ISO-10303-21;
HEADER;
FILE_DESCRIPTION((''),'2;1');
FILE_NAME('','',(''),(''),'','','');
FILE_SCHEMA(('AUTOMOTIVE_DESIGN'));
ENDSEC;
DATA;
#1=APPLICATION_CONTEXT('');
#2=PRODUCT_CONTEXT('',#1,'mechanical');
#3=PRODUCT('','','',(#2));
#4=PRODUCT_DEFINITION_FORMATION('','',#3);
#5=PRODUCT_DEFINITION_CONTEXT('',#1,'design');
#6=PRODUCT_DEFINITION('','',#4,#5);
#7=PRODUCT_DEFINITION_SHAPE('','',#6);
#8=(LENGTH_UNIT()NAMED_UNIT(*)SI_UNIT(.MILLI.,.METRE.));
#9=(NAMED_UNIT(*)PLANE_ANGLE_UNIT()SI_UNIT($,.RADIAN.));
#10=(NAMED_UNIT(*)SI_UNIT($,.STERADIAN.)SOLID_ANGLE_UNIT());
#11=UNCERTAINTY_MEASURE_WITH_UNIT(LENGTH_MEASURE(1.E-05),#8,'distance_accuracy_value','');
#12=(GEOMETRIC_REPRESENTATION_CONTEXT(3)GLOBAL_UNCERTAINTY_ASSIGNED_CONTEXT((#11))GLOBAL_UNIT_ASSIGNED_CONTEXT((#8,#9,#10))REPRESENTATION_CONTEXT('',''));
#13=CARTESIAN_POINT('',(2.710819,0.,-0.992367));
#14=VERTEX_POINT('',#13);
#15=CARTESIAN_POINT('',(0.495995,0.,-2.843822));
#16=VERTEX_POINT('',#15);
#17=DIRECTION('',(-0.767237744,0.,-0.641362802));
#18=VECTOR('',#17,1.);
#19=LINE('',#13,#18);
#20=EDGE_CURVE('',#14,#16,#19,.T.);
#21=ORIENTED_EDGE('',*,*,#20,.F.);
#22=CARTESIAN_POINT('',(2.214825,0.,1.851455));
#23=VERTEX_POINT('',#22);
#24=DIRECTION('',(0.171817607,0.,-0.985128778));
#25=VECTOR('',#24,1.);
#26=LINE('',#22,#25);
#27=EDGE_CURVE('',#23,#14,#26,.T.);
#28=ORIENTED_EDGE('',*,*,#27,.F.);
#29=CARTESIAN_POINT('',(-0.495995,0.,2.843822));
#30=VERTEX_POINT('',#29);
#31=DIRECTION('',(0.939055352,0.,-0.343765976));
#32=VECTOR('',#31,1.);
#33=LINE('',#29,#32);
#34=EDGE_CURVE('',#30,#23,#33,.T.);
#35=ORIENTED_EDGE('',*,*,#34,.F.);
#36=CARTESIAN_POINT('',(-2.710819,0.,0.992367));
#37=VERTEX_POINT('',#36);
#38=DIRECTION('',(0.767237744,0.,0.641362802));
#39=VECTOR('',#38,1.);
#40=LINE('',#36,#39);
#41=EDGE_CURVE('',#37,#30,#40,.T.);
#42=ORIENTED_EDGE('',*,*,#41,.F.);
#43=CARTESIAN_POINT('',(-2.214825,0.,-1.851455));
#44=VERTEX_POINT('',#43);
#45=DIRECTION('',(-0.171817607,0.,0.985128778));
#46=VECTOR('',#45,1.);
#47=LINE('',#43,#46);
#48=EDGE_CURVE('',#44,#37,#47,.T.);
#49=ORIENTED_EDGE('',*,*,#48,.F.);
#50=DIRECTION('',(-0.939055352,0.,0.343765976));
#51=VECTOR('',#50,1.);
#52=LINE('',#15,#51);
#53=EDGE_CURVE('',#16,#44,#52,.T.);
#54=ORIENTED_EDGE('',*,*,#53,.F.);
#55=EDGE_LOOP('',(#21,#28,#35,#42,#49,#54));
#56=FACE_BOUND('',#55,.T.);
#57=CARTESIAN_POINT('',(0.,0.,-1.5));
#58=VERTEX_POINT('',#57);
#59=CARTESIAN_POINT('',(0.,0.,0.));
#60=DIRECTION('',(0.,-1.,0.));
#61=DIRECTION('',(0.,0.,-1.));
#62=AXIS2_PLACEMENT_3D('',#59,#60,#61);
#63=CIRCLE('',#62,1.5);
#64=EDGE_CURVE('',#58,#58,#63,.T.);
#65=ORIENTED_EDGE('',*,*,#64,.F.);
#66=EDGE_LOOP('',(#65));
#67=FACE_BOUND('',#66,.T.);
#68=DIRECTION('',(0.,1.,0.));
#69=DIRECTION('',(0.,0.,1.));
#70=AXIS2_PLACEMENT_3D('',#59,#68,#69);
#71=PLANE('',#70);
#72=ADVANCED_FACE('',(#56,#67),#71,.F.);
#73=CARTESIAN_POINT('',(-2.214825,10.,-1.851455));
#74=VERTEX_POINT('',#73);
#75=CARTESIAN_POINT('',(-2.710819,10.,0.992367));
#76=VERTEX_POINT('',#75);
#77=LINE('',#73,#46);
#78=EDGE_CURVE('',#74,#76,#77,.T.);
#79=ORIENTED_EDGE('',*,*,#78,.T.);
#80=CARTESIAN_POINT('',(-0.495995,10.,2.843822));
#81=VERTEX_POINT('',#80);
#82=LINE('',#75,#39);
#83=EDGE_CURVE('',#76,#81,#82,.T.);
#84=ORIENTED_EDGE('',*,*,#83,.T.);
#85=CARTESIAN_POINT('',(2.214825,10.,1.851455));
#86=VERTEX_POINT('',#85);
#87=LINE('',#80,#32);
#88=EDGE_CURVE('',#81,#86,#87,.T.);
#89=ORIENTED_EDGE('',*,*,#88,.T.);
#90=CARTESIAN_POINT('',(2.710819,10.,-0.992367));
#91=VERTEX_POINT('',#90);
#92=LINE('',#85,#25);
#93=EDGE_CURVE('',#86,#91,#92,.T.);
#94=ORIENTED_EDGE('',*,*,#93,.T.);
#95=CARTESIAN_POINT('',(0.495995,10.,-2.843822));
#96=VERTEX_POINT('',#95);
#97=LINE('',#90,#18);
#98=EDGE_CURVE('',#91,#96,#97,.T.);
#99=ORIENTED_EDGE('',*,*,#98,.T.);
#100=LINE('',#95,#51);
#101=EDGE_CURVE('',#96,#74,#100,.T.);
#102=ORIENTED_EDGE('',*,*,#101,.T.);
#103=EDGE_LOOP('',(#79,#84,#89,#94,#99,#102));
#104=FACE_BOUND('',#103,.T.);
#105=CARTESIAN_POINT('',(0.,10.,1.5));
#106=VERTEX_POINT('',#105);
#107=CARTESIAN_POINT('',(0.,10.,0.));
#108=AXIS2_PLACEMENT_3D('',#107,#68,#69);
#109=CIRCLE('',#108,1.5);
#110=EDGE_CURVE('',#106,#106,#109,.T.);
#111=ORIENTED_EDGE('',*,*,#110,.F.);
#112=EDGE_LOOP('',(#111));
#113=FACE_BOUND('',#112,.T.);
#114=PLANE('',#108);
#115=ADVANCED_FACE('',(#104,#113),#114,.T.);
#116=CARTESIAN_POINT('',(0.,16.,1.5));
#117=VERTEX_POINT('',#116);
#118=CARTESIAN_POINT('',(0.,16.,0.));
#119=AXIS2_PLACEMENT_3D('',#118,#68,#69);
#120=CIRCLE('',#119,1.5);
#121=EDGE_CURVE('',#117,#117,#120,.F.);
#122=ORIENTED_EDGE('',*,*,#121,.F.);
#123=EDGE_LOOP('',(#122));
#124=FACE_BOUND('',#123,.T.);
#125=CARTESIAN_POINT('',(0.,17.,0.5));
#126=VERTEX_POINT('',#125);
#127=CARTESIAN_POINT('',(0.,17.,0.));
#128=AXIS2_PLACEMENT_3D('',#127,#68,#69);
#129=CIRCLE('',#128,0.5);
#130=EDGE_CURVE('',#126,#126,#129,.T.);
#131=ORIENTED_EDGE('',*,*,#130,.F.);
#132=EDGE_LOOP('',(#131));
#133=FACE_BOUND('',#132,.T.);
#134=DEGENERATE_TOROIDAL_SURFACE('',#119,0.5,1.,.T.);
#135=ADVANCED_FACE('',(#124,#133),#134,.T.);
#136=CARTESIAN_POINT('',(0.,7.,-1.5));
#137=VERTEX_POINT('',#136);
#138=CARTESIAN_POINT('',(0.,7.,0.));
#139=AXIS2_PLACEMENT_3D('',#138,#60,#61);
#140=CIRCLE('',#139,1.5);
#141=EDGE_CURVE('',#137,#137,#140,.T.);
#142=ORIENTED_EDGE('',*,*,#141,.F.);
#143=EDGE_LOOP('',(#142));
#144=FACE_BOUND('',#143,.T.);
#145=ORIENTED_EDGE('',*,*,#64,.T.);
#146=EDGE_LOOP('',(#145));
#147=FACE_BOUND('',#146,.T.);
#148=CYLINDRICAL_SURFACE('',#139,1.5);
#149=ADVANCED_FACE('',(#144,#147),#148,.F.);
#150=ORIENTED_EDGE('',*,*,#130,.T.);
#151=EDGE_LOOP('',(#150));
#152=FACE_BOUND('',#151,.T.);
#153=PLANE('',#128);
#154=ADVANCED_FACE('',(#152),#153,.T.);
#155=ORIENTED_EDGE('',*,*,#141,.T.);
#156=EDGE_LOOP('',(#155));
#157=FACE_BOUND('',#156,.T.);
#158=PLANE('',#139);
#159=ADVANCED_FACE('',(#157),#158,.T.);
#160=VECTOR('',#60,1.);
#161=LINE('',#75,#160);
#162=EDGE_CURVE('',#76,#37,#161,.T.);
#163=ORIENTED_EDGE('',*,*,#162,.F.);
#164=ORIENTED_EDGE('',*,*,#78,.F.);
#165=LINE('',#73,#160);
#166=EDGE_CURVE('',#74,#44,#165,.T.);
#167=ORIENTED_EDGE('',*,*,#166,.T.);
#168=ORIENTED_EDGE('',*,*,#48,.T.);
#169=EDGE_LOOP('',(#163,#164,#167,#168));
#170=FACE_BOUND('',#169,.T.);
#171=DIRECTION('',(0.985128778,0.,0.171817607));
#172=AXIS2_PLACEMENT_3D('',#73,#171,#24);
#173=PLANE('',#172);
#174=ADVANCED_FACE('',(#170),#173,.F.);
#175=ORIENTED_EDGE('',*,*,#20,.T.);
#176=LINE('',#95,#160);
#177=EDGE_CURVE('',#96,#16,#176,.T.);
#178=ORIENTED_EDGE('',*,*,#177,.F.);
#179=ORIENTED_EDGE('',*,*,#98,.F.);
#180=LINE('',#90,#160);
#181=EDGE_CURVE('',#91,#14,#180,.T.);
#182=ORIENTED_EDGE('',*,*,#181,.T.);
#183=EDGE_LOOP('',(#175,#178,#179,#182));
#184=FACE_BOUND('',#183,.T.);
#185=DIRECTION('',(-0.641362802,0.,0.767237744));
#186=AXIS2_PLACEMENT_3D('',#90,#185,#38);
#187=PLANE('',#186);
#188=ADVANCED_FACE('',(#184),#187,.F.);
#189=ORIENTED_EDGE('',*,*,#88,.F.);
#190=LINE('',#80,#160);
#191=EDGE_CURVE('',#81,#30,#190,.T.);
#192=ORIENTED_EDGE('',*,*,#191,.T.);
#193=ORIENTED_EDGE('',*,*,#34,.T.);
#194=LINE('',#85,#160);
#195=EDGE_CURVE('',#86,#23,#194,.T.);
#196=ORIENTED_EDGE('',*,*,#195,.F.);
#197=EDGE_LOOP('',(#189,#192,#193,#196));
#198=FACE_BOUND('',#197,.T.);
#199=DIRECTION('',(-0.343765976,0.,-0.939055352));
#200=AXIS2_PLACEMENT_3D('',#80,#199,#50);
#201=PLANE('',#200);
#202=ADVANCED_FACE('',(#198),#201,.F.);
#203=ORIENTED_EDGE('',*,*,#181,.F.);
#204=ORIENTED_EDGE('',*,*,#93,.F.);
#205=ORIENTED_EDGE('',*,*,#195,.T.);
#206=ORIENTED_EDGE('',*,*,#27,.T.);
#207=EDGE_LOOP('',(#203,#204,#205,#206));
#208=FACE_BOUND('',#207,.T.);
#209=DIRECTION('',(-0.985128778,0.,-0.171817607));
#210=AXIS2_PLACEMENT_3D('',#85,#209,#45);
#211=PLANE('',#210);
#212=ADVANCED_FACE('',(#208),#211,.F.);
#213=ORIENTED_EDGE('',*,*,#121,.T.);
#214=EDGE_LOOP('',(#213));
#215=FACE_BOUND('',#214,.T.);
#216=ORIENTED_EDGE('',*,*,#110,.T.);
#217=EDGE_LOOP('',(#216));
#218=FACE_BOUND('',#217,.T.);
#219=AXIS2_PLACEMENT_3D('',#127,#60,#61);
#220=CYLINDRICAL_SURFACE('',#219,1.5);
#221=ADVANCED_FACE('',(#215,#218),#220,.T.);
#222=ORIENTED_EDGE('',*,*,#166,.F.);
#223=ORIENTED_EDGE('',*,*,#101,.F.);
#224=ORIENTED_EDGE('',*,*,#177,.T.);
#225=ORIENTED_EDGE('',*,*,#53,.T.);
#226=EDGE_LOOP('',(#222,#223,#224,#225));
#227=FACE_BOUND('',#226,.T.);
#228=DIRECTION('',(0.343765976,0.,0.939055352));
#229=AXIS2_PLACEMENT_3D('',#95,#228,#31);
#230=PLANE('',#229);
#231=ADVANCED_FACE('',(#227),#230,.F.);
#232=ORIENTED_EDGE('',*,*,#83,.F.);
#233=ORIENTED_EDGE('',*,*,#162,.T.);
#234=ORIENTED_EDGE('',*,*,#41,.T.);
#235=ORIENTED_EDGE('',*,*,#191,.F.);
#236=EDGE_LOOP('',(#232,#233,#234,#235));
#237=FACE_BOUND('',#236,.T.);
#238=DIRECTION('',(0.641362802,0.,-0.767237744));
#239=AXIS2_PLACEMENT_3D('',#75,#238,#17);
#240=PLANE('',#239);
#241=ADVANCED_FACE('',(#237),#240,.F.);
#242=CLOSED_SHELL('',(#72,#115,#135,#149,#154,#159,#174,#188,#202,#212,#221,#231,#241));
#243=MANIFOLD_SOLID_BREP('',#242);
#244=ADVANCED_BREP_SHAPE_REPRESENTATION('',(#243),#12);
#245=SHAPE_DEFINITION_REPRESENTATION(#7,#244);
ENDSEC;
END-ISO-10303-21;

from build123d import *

# Parameters (mm, degrees)
BOSS_EXTRUDE1_DEPTH = 10
SKETCH2_R           = 1.5
BOSS_EXTRUDE2_DEPTH = 7
SKETCH3_R           = 1.5
CUT_EXTRUDE1_DEPTH  = 7
FILLET1_R           = 1


with BuildPart() as part:
    # Sketch1 → Boss-Extrude1 (new body)
    with BuildSketch(Plane(origin=(0, 0, 0), x_dir=(1, 0, 0), z_dir=(0, 1, 0))):
        Polygon((2.214824591, -1.851454932), (2.7108193, 0.992366895), (0.495994709, 2.843821827), (-2.214824591, 1.851454932), (-2.7108193, -0.992366895), (-0.495994709, -2.843821827), align=None)
    extrude(amount=BOSS_EXTRUDE1_DEPTH)

    # Sketch2 → Boss-Extrude2 (add)
    with BuildSketch(Plane(origin=(0, 10, 0), x_dir=(1, 0, 0), z_dir=(0, 1, 0))):
        Circle(SKETCH2_R)
    extrude(amount=BOSS_EXTRUDE2_DEPTH)

    # Sketch3 → Cut-Extrude1 (cut)
    with BuildSketch(Plane.XZ):
        Circle(SKETCH3_R)
    extrude(amount=-CUT_EXTRUDE1_DEPTH, mode=Mode.SUBTRACT)

    # Fillet1
    fillet1_edges = [part.edges().sort_by_distance(p)[0] for p in [
        (-1.5, 17, 0),
    ]]
    fillet(fillet1_edges, radius=FILLET1_R)


solid = part.part
